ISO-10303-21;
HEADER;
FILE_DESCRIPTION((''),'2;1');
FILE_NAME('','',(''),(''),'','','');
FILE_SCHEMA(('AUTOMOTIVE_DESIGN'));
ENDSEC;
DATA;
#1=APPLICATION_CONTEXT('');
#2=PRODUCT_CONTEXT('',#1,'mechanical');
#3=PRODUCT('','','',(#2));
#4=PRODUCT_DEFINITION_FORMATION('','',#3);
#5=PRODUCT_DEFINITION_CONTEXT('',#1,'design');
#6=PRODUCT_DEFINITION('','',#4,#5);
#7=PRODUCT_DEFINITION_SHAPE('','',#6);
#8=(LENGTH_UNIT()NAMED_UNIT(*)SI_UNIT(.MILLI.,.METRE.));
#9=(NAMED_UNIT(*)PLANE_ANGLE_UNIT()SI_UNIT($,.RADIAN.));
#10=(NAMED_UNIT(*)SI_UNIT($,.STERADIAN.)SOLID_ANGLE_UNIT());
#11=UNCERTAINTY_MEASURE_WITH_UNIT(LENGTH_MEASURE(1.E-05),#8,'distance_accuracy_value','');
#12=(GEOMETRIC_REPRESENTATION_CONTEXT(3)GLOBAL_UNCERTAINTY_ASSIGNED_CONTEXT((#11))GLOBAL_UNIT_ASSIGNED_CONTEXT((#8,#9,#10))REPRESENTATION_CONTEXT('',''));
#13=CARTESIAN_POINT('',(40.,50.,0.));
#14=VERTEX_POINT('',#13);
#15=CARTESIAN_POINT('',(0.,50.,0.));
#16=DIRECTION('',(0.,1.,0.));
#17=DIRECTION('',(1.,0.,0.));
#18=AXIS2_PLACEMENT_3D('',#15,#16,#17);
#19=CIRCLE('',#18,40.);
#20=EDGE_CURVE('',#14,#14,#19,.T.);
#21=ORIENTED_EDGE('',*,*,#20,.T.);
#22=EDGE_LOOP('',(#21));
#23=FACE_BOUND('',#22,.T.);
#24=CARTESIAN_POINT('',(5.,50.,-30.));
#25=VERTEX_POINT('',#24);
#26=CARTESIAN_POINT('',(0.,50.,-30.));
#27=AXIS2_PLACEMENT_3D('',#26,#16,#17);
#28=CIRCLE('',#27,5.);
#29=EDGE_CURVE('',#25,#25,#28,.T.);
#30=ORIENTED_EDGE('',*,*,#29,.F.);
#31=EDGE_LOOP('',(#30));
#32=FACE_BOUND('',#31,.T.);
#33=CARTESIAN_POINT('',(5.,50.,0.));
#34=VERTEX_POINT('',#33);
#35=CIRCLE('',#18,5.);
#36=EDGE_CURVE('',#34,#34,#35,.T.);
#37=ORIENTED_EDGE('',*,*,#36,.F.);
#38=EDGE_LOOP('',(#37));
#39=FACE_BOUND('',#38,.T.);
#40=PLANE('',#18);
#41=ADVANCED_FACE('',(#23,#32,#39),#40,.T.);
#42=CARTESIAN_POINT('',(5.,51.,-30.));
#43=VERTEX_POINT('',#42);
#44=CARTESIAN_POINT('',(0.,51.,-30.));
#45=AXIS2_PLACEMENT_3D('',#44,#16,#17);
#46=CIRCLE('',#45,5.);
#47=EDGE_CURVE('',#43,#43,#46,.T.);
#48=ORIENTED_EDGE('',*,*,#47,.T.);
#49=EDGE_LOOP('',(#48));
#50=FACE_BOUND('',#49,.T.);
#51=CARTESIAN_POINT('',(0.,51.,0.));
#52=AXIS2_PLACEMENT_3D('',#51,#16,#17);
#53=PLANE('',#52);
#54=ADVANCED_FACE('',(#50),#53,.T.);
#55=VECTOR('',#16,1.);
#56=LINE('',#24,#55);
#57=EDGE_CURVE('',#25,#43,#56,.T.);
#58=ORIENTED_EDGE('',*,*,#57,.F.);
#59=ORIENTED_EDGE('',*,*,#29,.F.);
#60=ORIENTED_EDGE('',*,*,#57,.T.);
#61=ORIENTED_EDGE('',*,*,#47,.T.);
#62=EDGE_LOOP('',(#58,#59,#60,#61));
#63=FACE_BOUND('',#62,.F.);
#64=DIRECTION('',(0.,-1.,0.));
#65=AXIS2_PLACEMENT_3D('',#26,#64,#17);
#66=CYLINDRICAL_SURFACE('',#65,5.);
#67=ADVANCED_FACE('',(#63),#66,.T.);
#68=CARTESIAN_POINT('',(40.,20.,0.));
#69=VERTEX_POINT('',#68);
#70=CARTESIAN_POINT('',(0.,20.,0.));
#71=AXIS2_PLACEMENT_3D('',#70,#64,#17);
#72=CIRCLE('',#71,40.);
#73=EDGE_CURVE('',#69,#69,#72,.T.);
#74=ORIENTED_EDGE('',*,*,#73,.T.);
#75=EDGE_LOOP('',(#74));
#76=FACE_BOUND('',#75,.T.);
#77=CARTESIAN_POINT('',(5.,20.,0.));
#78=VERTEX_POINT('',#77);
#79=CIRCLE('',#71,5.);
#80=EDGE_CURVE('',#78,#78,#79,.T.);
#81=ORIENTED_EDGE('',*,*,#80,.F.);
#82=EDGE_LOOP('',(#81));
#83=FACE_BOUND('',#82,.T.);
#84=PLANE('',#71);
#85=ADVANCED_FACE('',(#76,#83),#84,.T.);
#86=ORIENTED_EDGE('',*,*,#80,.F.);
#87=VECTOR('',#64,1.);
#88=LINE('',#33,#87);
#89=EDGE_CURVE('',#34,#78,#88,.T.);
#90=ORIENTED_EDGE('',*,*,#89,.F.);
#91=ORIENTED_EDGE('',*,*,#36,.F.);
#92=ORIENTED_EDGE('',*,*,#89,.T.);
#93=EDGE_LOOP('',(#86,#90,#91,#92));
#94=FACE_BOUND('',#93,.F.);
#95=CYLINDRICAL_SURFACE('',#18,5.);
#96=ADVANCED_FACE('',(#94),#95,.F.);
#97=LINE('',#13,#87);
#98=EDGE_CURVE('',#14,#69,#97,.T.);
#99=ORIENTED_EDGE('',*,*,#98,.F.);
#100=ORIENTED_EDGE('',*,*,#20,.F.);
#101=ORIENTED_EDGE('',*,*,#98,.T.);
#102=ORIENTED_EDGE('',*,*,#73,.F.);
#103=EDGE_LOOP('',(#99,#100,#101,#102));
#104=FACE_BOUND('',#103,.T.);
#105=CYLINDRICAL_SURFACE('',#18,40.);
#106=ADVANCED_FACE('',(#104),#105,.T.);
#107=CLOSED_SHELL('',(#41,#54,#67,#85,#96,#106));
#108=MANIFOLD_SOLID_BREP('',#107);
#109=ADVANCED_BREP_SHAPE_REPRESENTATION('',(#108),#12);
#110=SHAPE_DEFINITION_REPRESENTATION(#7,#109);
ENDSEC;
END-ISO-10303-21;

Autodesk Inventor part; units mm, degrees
ref_plane "YZ Plane" through (0, 0, 0) normal (1, 0, 0) x (0, 1, 0)
ref_plane "XZ Plane" through (0, 0, 0) normal (0, 1, 0) x (-1, 0, 0)
ref_plane "XY Plane" through (0, 0, 0) normal (0, 0, 1) x (1, 0, 0)
sketch "Sketch1" plane through (0, 0, 0) normal (0, 1, 0) x (-1, 0, 0)
  circle A0 centre (0, 0) radius 20
  dimension "d24" = 40
extrude "Extrusion1" add sketch "Sketch1" along normal blind 50
sketch "Sketch2" plane through (0, 50, 0) normal (0, 1, 0) x (1, 0, 0)
  circle A0 centre (0, 0) radius 55
  dimension "d3" = 110
extrude "Extrusion2" add sketch "Sketch2" against normal blind 50
sketch "Sketch3" plane through (0, 50, 0) normal (0, 1, 0) x (1, 0, 0)
  circle A0 centre (0, 0) radius 5
  dimension "d6" = 10
extrude "Extrusion3" cut sketch "Sketch3" against normal blind 50
sketch "Sketch4" plane through (0, 50, 0) normal (0, 1, 0) x (1, 0, 0)
  circle A0 centre (0, -45) radius 5
  point P0 (0, 0)
  dimension "d9" = 10
extrude "Extrusion4" add sketch "Sketch4" along normal blind 1
sketch "Sketch5" plane through (0, 50, 0) normal (0, 1, 0) x (1, 0, 0)
  circle A0 centre (0, 0) radius 40
  dimension "d12" = 80
extrude "Extrusion5" cut sketch "Sketch5" against normal through all keep common part
sketch "Sketch6" plane through (0, 50, 0) normal (0, 1, 0) x (1, 0, 0)
  circle A0 centre (0, 0) radius 40
sketch "Sketch7" plane through (0, 0, 0) normal (0, -1, 0) x (1, 0, 0)
  circle A0 centre (0, 0) radius 40
extrude "Extrusion6" cut sketch "Sketch7" against normal blind 10
sketch "Sketch8" plane through (0, 50, 0) normal (0, 1, 0) x (1, 0, 0)
  circle A0 centre (0, 30) radius 5
  point P0 (0, 0)
  dimension "d17" = 10
extrude "Extrusion7" add sketch "Sketch8" along normal blind 1
sketch "Sketch9" plane through (0, 50, 0) normal (0, 1, 0) x (1, 0, 0)
  circle A0 centre (0, 0) radius 2.5
  dimension "d20" = 5
sketch "Sketch10" plane through (0, 10, 0) normal (0, -1, 0) x (1, 0, 0)
  circle A0 centre (0, 0) radius 5 projected
  circle A1 centre (0, 0) radius 40
extrude "Extrusion8" cut sketch "Sketch10" against normal blind 10
